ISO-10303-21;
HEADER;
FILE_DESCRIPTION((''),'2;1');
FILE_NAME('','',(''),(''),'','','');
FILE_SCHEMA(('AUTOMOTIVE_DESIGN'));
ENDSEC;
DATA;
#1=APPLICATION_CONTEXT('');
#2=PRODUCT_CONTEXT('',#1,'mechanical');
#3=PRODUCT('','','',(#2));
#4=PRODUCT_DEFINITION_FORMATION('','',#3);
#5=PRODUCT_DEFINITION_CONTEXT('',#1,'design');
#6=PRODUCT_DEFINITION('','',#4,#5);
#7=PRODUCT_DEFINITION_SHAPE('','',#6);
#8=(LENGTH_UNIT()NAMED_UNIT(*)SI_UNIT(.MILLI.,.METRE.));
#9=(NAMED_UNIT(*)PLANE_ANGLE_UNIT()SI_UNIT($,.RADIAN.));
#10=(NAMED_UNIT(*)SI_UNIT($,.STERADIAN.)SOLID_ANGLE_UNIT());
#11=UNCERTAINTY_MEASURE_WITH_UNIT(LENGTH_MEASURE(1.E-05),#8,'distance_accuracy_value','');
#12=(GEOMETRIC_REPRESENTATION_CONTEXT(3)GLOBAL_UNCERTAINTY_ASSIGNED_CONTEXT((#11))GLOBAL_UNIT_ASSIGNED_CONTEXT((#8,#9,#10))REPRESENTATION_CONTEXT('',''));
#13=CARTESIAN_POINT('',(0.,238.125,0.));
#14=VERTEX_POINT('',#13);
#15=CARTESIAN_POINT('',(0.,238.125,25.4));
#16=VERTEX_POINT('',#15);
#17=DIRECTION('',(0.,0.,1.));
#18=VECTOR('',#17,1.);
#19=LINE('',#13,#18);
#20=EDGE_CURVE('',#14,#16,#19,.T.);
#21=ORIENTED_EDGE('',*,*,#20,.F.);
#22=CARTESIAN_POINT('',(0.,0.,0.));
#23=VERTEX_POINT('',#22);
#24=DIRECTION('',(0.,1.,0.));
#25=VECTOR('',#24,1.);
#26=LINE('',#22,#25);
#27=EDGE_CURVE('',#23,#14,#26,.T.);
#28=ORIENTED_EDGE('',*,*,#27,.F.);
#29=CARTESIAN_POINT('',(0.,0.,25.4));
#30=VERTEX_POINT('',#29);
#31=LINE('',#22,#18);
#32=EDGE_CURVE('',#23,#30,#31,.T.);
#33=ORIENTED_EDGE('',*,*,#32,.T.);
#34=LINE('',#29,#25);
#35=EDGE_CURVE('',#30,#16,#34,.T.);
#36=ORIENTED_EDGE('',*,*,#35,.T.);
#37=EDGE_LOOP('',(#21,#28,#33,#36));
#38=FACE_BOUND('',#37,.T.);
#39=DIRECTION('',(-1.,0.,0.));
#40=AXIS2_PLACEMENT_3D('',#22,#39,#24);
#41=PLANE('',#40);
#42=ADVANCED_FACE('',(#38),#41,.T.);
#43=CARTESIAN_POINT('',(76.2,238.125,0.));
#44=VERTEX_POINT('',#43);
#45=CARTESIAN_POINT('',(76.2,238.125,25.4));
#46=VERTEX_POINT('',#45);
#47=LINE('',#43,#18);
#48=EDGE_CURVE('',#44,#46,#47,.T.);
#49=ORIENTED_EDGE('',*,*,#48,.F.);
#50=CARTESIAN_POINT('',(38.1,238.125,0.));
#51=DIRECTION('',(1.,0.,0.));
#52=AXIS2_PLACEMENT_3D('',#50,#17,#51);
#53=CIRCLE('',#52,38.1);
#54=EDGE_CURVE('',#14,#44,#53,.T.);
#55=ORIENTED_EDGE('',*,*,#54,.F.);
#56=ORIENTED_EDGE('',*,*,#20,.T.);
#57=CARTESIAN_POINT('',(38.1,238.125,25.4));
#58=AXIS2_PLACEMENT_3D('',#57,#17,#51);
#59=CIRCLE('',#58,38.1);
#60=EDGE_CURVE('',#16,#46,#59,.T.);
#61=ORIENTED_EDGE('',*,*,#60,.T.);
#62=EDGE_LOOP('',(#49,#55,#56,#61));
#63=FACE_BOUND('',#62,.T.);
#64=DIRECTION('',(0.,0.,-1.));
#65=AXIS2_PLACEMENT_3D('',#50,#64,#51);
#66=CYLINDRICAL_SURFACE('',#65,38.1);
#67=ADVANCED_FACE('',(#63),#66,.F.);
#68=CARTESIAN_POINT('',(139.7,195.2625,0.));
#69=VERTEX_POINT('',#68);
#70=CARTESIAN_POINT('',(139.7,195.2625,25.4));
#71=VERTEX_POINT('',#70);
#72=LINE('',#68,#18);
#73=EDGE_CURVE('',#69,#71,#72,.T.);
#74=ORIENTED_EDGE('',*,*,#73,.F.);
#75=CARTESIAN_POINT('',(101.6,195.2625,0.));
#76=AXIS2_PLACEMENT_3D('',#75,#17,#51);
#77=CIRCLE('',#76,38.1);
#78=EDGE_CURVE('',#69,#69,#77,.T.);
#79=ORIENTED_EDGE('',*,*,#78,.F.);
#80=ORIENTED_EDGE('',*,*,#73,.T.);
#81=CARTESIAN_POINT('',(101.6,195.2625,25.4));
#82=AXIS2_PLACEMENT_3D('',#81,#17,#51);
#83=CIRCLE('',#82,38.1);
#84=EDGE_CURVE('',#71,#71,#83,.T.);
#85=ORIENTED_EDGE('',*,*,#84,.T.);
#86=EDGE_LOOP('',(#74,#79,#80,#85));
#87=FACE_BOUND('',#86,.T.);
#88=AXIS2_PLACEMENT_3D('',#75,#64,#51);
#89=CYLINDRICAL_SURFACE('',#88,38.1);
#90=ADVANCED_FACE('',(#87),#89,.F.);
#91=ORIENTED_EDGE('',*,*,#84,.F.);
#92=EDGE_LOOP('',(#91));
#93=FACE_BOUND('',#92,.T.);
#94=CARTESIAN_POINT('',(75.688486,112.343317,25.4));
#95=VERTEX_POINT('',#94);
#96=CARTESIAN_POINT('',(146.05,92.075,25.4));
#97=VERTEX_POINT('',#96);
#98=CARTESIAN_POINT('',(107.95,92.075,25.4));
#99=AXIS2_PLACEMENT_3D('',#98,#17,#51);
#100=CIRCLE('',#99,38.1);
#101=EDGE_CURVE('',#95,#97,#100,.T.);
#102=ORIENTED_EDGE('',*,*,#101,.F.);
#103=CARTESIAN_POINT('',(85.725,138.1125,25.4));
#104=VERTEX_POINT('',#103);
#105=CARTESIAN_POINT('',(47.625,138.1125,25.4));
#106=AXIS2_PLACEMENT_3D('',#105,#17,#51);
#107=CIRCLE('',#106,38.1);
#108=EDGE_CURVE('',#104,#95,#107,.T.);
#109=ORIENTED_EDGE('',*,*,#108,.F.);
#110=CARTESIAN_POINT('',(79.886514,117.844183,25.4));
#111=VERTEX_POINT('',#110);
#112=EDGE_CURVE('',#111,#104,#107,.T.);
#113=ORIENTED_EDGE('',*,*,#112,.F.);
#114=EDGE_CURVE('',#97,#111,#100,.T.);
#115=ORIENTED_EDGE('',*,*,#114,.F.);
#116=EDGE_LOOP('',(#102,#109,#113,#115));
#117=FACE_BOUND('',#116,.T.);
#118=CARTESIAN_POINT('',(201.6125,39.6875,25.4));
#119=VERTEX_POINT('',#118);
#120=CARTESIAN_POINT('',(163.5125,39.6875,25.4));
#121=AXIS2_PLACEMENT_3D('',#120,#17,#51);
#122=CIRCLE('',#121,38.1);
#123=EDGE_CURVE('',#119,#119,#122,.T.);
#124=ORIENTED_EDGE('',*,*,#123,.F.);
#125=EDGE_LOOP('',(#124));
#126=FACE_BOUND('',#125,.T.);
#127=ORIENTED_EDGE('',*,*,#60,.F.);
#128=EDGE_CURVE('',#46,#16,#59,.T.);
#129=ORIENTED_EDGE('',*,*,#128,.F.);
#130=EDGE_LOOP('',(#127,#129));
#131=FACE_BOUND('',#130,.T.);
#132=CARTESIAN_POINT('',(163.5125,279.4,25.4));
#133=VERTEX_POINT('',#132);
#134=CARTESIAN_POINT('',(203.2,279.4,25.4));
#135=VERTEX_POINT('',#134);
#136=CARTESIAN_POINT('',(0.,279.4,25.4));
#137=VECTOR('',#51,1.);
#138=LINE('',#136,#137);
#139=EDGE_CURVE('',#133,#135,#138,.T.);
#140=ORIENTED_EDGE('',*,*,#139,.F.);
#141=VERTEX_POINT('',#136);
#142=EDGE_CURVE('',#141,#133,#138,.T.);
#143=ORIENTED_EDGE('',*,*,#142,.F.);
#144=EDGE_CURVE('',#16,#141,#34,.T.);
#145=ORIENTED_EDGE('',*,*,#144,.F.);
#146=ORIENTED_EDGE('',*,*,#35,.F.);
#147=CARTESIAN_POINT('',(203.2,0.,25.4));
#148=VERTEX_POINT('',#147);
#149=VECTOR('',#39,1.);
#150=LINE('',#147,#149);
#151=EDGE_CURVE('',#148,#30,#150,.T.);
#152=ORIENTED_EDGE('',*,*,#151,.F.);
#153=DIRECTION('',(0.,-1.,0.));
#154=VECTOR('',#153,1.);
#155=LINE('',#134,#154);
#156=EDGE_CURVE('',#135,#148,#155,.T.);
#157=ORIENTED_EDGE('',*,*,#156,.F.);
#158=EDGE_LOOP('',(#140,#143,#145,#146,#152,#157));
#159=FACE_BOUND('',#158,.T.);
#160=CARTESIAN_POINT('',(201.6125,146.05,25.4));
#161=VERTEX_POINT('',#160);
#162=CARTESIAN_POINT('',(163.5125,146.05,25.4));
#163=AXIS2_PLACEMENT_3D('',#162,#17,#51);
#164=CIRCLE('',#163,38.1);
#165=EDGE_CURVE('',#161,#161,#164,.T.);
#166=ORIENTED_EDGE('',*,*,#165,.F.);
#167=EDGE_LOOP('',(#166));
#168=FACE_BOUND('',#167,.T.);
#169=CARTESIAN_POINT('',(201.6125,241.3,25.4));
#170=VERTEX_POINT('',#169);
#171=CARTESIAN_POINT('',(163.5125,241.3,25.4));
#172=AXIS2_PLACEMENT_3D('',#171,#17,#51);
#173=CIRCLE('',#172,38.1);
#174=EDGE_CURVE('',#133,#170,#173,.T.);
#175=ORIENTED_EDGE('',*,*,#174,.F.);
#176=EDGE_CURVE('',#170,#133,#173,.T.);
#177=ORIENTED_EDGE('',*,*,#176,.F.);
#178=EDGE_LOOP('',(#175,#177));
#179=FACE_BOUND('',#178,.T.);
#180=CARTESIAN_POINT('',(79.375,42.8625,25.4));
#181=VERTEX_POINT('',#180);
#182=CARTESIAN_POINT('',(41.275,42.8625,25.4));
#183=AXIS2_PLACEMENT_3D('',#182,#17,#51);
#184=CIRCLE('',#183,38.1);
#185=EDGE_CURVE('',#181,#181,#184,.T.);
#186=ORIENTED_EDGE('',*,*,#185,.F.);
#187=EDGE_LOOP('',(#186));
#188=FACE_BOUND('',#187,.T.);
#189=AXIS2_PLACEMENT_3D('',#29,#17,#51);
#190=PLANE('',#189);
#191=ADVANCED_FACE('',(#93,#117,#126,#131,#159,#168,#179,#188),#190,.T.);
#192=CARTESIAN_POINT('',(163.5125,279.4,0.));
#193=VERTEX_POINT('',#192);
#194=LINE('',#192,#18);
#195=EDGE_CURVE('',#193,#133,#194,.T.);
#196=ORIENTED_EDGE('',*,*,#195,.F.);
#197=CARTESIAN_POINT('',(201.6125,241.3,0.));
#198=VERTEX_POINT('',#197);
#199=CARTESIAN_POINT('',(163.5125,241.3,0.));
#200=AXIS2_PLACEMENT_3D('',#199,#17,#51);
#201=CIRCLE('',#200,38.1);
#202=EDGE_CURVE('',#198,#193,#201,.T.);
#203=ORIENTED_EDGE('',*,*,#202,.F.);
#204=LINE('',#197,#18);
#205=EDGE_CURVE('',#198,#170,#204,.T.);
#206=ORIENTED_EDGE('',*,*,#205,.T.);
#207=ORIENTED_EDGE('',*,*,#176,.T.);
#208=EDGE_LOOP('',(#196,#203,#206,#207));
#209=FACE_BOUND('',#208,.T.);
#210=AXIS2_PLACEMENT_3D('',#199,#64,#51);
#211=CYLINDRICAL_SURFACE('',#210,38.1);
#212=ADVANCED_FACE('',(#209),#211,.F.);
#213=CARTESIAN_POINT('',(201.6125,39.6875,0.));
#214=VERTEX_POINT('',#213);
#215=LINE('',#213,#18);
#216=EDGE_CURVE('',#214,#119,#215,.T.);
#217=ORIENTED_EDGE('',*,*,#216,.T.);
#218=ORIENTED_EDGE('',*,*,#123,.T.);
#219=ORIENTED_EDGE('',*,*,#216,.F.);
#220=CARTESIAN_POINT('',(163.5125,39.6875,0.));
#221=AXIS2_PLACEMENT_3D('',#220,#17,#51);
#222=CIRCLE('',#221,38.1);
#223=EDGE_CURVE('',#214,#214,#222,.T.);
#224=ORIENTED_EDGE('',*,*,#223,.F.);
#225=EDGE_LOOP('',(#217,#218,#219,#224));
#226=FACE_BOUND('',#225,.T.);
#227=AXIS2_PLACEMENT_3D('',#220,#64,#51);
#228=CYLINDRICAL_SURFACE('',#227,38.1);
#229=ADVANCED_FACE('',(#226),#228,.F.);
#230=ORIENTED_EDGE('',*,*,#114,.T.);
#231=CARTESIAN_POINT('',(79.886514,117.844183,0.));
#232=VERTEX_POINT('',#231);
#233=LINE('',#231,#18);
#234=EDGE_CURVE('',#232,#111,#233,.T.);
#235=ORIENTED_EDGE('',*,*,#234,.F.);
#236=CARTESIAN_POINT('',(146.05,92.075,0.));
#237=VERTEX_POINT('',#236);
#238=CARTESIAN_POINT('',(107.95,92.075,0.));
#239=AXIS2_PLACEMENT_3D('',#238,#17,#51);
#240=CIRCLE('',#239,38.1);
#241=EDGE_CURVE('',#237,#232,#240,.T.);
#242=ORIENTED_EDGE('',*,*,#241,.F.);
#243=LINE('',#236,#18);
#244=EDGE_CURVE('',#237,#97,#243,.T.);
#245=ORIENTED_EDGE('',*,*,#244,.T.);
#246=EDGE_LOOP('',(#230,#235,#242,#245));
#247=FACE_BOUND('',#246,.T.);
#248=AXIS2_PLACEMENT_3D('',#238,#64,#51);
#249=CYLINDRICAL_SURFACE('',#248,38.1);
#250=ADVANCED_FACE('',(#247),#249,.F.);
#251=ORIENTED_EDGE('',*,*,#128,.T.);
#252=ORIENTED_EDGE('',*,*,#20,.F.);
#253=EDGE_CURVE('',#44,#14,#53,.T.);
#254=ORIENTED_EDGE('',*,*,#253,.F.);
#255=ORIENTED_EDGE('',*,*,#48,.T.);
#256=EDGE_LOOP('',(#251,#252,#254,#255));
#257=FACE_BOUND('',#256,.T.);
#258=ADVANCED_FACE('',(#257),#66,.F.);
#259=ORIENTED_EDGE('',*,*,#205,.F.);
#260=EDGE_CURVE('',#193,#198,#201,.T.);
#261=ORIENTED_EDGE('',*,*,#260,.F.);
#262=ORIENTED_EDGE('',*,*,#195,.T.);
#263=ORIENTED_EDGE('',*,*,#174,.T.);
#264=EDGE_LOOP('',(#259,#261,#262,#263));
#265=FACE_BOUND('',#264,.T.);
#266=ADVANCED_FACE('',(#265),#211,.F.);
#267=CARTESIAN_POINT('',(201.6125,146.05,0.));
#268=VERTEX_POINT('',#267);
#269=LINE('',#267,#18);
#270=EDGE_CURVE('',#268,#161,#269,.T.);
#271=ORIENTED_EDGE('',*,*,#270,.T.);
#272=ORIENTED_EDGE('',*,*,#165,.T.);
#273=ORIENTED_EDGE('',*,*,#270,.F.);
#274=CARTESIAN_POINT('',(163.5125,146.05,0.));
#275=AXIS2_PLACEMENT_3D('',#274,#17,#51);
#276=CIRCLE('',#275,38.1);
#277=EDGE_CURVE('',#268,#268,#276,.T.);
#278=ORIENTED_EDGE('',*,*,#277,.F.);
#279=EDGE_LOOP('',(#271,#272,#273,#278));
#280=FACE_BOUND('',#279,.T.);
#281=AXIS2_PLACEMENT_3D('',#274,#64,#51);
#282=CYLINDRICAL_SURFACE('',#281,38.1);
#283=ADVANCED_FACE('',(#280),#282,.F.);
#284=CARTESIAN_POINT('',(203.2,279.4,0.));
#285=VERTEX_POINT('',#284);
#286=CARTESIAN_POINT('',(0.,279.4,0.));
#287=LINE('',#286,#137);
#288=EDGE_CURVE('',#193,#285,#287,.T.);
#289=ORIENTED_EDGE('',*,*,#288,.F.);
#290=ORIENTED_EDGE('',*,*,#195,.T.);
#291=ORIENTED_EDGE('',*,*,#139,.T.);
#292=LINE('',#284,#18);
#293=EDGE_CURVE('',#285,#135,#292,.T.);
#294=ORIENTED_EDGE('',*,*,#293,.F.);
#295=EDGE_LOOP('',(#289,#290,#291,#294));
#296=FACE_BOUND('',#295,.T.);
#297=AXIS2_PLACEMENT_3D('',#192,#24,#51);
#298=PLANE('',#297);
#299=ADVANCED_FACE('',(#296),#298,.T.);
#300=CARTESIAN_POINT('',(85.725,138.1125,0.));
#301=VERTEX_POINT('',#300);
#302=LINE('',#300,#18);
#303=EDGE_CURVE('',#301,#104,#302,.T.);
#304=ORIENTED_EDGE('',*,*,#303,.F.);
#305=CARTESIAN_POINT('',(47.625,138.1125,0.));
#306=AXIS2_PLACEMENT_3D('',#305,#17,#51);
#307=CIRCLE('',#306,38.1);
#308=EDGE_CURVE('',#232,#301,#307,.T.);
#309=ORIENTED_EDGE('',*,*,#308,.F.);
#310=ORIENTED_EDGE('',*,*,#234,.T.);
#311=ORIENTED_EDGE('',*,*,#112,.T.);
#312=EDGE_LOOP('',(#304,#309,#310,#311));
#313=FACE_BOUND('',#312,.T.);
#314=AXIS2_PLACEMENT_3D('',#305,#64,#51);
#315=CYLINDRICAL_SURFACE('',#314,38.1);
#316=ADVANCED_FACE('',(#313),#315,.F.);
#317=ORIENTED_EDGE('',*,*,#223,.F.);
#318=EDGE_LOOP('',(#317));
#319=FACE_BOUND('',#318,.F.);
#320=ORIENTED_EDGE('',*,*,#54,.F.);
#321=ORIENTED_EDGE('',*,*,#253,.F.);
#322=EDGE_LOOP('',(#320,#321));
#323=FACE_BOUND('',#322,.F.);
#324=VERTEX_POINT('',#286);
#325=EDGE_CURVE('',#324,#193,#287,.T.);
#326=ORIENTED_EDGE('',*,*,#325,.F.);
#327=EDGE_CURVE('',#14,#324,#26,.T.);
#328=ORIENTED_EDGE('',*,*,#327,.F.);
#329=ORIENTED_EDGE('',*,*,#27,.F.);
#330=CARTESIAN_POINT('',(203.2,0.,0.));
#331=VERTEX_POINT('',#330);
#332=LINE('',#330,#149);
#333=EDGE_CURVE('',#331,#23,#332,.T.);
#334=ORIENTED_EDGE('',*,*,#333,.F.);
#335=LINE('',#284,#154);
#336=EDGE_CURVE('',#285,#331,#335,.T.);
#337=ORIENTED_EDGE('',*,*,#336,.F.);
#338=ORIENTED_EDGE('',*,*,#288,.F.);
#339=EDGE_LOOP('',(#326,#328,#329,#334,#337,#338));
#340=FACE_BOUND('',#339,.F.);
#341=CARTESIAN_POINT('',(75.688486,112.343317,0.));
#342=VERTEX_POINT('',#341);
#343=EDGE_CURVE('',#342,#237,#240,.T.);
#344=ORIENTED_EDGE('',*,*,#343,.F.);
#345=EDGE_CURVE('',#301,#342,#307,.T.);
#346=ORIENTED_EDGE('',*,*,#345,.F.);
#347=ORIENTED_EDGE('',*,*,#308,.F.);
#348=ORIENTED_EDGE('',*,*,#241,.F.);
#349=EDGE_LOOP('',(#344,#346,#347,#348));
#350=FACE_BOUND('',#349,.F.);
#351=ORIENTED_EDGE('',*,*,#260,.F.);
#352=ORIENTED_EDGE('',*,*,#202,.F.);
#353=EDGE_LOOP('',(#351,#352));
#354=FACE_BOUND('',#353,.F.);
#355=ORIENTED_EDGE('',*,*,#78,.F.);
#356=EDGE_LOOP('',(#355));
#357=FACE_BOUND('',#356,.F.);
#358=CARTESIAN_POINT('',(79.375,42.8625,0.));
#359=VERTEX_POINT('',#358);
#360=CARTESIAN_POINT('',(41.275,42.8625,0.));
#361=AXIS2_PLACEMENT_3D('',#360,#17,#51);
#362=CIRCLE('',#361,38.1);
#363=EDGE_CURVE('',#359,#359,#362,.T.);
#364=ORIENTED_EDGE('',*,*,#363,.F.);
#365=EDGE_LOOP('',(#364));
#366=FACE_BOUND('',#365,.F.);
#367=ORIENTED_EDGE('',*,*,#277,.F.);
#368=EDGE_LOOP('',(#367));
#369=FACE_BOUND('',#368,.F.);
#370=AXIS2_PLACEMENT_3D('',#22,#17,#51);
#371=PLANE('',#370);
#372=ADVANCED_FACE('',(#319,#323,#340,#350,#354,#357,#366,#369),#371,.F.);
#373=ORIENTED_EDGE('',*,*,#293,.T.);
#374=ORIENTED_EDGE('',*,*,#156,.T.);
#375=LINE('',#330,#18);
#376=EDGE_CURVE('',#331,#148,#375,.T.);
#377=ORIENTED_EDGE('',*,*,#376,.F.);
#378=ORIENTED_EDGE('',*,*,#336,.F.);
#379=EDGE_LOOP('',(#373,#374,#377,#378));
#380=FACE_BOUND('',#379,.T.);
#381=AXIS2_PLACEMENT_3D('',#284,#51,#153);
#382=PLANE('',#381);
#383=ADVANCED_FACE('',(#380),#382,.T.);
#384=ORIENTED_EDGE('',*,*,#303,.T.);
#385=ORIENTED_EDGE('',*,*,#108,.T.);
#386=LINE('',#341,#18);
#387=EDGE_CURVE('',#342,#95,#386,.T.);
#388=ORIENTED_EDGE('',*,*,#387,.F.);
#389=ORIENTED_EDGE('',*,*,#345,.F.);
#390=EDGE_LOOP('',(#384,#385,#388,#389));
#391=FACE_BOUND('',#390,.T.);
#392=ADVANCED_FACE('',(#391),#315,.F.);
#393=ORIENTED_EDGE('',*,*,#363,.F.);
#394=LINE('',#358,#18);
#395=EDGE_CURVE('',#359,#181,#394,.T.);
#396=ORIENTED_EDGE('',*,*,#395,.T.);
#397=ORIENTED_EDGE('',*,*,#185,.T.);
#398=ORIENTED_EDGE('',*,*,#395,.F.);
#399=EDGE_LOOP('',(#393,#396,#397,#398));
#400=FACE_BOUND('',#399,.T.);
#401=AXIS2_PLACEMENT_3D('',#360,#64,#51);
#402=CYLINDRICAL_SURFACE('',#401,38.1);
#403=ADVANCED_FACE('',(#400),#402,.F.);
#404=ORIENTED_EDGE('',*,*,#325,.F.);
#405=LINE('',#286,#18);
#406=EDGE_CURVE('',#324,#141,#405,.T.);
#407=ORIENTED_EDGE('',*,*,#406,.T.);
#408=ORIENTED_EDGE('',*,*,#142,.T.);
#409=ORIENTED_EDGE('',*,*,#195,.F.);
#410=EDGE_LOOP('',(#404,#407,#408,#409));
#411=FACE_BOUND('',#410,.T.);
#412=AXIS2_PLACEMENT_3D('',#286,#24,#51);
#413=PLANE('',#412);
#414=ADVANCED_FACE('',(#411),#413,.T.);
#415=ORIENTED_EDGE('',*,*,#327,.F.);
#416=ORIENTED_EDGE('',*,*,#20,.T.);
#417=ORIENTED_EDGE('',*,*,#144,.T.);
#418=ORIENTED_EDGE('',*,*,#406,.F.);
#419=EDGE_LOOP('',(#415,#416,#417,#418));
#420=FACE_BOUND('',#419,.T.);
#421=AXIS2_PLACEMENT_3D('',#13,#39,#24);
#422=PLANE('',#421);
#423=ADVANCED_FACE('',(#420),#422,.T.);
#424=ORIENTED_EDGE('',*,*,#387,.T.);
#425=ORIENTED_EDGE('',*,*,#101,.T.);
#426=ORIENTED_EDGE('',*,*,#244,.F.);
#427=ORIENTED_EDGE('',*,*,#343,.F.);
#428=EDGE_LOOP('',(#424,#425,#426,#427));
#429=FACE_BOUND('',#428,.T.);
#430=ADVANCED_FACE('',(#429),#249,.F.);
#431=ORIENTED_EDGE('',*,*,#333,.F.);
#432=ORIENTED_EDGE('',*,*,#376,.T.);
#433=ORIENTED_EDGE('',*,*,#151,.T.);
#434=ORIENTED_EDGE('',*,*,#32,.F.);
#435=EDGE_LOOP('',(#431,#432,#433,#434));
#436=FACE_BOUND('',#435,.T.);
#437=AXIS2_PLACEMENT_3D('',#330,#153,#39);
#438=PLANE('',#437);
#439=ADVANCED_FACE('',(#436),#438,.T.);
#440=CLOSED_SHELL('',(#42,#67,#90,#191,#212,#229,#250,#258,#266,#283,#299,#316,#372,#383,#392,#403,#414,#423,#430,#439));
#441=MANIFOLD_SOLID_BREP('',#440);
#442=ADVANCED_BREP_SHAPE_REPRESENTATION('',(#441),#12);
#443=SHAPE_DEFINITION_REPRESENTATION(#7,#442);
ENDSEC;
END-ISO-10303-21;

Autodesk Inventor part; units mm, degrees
ref_plane "YZ Plane" through (0, 0, 0) normal (1, 0, 0) x (0, 1, 0)
ref_plane "XZ Plane" through (0, 0, 0) normal (0, 1, 0) x (-1, 0, 0)
ref_plane "XY Plane" through (0, 0, 0) normal (0, 0, 1) x (1, 0, 0)
sketch "Sketch1" plane through (0, 0, 0) normal (0, 0, 1) x (1, 0, 0)
  line L0 (0, 0) -> (0, 279.4)
  line L1 (0, 279.4) -> (203.2, 279.4)
  line L2 (203.2, 279.4) -> (203.2, 0)
  line L3 (203.2, 0) -> (0, 0)
  circle A0 centre (101.6, 195.2625) radius 38.1
  circle A1 centre (163.5125, 39.6875) radius 38.1
  circle A2 centre (41.275, 42.8625) radius 38.1
  circle A3 centre (107.95, 92.075) radius 38.1
  circle A4 centre (163.5125, 146.05) radius 38.1
  circle A5 centre (47.625, 138.1125) radius 38.1
  circle A6 centre (38.1, 238.125) radius 38.1
  circle A7 centre (163.5125, 241.3) radius 38.1
  dimension "d0" = 203.2
  dimension "d1" = 279.4
  dimension "d2" = 76.2
  dimension "d3" = 76.2
  dimension "d4" = 76.2
  dimension "d5" = 76.2
  dimension "d6" = 76.2
  dimension "d7" = 76.2
  dimension "d8" = 76.2
  dimension "d9" = 76.2
extrude "Extrusion1" add sketch "Sketch1" along normal blind 25.4
properties part number "5.1 Q6"
